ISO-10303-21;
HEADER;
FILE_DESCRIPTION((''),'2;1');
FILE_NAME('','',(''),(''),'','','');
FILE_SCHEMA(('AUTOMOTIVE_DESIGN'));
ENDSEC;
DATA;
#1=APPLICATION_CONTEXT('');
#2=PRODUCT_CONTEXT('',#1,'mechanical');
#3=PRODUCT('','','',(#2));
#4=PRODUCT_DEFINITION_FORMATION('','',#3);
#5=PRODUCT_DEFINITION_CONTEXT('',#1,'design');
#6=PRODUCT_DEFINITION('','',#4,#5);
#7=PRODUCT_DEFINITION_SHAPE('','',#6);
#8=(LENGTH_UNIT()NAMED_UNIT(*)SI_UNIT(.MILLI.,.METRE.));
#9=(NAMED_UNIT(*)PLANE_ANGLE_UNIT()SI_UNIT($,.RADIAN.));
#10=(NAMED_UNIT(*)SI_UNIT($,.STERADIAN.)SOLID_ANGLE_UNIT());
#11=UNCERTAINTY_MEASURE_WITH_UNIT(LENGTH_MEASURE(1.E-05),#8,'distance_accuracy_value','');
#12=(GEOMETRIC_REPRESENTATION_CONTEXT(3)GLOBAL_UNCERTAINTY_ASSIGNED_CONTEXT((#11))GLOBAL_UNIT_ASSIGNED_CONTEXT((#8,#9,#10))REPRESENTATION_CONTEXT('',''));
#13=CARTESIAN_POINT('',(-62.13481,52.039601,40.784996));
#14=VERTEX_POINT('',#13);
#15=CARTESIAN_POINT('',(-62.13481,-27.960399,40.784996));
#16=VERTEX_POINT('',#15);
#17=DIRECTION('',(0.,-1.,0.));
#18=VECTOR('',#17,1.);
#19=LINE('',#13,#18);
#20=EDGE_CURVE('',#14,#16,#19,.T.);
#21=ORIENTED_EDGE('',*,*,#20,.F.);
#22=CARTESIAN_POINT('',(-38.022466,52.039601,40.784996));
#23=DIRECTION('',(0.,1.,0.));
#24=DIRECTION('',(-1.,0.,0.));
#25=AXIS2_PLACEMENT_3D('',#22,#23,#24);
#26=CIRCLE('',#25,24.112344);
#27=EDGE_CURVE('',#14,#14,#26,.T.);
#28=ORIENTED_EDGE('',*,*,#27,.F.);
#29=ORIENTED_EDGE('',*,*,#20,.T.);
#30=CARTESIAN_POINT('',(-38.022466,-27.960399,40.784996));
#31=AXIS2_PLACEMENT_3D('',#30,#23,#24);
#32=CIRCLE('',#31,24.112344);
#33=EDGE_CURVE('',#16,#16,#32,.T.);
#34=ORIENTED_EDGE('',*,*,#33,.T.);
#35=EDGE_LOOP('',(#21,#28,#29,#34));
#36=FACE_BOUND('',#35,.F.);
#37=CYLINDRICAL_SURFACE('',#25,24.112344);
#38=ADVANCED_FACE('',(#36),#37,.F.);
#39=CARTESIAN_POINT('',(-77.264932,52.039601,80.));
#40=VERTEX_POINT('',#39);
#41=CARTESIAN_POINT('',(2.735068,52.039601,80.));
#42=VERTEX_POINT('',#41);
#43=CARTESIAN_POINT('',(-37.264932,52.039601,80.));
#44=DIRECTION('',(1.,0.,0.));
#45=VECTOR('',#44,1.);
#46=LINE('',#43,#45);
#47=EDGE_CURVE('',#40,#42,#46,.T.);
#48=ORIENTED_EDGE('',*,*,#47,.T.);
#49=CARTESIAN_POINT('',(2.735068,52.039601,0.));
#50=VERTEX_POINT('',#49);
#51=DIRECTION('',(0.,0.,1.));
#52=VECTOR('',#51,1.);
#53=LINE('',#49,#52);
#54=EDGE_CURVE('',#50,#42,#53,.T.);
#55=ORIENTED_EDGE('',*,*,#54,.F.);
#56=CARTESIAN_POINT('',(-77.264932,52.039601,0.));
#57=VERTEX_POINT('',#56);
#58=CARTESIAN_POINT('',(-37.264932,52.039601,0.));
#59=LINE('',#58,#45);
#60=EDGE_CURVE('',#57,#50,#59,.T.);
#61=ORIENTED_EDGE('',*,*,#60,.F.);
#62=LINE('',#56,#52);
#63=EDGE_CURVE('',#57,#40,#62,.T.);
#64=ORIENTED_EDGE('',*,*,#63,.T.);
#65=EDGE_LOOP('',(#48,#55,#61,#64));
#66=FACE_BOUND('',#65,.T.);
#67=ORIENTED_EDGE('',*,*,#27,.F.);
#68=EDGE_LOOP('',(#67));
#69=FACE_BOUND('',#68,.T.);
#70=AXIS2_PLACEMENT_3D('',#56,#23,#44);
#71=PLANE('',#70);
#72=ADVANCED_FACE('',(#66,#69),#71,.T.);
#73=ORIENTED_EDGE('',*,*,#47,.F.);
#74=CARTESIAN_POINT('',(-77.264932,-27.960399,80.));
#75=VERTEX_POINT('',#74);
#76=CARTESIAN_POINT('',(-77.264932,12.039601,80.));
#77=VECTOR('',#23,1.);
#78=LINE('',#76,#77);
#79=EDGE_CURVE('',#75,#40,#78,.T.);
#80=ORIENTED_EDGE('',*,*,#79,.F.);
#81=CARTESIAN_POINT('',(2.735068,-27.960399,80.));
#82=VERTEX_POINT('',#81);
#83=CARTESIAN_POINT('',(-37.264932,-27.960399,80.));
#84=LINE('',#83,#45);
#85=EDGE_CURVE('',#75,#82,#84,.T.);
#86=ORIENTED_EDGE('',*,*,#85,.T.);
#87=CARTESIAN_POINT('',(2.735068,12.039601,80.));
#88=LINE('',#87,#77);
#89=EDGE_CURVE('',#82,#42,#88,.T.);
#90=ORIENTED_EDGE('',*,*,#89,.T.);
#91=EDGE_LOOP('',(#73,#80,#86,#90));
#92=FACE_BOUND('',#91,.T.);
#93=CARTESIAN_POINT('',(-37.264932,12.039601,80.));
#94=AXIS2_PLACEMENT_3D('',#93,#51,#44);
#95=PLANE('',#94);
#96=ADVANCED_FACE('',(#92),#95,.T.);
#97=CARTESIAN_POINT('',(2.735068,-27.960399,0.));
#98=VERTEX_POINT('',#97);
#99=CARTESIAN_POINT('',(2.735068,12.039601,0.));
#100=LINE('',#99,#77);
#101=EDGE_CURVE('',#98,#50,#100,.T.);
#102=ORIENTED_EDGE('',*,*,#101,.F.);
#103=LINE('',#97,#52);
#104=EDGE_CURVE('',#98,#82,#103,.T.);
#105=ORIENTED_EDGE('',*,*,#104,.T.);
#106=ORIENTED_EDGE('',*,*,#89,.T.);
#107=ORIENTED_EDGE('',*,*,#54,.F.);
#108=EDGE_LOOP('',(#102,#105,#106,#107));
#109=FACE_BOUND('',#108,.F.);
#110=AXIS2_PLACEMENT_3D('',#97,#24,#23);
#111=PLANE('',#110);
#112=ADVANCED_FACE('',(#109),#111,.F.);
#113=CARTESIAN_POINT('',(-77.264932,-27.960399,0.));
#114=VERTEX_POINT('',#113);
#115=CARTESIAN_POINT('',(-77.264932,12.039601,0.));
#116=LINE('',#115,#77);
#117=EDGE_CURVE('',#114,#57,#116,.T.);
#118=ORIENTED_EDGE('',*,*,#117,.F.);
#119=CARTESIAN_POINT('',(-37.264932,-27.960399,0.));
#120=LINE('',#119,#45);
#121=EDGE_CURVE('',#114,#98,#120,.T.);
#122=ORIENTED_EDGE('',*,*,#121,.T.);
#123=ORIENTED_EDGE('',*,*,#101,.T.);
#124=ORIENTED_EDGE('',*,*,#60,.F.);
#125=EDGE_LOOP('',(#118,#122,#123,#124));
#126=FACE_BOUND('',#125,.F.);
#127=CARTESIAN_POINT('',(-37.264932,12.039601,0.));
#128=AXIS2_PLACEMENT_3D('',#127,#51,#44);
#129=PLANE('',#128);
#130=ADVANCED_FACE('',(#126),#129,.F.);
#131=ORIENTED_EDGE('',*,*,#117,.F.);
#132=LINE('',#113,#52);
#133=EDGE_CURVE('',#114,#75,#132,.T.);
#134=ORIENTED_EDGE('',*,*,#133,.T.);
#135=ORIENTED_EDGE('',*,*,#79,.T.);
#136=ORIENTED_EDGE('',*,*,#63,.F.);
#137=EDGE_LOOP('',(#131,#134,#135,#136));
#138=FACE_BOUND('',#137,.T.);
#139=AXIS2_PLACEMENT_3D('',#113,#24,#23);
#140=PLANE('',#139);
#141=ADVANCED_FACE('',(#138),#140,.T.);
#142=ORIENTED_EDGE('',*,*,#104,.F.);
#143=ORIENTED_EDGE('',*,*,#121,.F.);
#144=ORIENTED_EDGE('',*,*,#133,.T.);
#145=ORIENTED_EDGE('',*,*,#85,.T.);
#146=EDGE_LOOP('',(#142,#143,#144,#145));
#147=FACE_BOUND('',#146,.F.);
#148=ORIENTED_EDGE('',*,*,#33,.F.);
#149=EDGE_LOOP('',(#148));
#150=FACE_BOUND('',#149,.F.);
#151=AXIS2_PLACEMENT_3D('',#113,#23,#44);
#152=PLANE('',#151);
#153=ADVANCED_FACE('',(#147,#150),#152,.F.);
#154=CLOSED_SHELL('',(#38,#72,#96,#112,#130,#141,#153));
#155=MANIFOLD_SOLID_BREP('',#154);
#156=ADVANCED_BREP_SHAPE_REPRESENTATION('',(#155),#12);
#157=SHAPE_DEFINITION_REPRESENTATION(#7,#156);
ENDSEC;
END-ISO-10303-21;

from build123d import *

# Parameters (mm, degrees)
F0_W     = 80
F0_H     = 80
F1_DEPTH = 80
F2_R     = 24.112344
F3_DEPTH = 80.001


with BuildPart() as f1:
    # F0 (on Top) → F1 (new body)
    with BuildSketch(Plane.XY):
        with Locations((-37.264932, 12.039601)):
            Rectangle(F0_W, F0_H)
    extrude(amount=F1_DEPTH)

    # F2 (on face) → F3 (cut, through all)
    with BuildSketch(Plane(origin=(0, 52.039601, 0), x_dir=(-1, 0, 0), z_dir=(0, 1, 0))):
        with Locations((38.022466, 40.784996)):
            Circle(F2_R)
    extrude(amount=-F3_DEPTH, mode=Mode.SUBTRACT)


solid = f1.part
